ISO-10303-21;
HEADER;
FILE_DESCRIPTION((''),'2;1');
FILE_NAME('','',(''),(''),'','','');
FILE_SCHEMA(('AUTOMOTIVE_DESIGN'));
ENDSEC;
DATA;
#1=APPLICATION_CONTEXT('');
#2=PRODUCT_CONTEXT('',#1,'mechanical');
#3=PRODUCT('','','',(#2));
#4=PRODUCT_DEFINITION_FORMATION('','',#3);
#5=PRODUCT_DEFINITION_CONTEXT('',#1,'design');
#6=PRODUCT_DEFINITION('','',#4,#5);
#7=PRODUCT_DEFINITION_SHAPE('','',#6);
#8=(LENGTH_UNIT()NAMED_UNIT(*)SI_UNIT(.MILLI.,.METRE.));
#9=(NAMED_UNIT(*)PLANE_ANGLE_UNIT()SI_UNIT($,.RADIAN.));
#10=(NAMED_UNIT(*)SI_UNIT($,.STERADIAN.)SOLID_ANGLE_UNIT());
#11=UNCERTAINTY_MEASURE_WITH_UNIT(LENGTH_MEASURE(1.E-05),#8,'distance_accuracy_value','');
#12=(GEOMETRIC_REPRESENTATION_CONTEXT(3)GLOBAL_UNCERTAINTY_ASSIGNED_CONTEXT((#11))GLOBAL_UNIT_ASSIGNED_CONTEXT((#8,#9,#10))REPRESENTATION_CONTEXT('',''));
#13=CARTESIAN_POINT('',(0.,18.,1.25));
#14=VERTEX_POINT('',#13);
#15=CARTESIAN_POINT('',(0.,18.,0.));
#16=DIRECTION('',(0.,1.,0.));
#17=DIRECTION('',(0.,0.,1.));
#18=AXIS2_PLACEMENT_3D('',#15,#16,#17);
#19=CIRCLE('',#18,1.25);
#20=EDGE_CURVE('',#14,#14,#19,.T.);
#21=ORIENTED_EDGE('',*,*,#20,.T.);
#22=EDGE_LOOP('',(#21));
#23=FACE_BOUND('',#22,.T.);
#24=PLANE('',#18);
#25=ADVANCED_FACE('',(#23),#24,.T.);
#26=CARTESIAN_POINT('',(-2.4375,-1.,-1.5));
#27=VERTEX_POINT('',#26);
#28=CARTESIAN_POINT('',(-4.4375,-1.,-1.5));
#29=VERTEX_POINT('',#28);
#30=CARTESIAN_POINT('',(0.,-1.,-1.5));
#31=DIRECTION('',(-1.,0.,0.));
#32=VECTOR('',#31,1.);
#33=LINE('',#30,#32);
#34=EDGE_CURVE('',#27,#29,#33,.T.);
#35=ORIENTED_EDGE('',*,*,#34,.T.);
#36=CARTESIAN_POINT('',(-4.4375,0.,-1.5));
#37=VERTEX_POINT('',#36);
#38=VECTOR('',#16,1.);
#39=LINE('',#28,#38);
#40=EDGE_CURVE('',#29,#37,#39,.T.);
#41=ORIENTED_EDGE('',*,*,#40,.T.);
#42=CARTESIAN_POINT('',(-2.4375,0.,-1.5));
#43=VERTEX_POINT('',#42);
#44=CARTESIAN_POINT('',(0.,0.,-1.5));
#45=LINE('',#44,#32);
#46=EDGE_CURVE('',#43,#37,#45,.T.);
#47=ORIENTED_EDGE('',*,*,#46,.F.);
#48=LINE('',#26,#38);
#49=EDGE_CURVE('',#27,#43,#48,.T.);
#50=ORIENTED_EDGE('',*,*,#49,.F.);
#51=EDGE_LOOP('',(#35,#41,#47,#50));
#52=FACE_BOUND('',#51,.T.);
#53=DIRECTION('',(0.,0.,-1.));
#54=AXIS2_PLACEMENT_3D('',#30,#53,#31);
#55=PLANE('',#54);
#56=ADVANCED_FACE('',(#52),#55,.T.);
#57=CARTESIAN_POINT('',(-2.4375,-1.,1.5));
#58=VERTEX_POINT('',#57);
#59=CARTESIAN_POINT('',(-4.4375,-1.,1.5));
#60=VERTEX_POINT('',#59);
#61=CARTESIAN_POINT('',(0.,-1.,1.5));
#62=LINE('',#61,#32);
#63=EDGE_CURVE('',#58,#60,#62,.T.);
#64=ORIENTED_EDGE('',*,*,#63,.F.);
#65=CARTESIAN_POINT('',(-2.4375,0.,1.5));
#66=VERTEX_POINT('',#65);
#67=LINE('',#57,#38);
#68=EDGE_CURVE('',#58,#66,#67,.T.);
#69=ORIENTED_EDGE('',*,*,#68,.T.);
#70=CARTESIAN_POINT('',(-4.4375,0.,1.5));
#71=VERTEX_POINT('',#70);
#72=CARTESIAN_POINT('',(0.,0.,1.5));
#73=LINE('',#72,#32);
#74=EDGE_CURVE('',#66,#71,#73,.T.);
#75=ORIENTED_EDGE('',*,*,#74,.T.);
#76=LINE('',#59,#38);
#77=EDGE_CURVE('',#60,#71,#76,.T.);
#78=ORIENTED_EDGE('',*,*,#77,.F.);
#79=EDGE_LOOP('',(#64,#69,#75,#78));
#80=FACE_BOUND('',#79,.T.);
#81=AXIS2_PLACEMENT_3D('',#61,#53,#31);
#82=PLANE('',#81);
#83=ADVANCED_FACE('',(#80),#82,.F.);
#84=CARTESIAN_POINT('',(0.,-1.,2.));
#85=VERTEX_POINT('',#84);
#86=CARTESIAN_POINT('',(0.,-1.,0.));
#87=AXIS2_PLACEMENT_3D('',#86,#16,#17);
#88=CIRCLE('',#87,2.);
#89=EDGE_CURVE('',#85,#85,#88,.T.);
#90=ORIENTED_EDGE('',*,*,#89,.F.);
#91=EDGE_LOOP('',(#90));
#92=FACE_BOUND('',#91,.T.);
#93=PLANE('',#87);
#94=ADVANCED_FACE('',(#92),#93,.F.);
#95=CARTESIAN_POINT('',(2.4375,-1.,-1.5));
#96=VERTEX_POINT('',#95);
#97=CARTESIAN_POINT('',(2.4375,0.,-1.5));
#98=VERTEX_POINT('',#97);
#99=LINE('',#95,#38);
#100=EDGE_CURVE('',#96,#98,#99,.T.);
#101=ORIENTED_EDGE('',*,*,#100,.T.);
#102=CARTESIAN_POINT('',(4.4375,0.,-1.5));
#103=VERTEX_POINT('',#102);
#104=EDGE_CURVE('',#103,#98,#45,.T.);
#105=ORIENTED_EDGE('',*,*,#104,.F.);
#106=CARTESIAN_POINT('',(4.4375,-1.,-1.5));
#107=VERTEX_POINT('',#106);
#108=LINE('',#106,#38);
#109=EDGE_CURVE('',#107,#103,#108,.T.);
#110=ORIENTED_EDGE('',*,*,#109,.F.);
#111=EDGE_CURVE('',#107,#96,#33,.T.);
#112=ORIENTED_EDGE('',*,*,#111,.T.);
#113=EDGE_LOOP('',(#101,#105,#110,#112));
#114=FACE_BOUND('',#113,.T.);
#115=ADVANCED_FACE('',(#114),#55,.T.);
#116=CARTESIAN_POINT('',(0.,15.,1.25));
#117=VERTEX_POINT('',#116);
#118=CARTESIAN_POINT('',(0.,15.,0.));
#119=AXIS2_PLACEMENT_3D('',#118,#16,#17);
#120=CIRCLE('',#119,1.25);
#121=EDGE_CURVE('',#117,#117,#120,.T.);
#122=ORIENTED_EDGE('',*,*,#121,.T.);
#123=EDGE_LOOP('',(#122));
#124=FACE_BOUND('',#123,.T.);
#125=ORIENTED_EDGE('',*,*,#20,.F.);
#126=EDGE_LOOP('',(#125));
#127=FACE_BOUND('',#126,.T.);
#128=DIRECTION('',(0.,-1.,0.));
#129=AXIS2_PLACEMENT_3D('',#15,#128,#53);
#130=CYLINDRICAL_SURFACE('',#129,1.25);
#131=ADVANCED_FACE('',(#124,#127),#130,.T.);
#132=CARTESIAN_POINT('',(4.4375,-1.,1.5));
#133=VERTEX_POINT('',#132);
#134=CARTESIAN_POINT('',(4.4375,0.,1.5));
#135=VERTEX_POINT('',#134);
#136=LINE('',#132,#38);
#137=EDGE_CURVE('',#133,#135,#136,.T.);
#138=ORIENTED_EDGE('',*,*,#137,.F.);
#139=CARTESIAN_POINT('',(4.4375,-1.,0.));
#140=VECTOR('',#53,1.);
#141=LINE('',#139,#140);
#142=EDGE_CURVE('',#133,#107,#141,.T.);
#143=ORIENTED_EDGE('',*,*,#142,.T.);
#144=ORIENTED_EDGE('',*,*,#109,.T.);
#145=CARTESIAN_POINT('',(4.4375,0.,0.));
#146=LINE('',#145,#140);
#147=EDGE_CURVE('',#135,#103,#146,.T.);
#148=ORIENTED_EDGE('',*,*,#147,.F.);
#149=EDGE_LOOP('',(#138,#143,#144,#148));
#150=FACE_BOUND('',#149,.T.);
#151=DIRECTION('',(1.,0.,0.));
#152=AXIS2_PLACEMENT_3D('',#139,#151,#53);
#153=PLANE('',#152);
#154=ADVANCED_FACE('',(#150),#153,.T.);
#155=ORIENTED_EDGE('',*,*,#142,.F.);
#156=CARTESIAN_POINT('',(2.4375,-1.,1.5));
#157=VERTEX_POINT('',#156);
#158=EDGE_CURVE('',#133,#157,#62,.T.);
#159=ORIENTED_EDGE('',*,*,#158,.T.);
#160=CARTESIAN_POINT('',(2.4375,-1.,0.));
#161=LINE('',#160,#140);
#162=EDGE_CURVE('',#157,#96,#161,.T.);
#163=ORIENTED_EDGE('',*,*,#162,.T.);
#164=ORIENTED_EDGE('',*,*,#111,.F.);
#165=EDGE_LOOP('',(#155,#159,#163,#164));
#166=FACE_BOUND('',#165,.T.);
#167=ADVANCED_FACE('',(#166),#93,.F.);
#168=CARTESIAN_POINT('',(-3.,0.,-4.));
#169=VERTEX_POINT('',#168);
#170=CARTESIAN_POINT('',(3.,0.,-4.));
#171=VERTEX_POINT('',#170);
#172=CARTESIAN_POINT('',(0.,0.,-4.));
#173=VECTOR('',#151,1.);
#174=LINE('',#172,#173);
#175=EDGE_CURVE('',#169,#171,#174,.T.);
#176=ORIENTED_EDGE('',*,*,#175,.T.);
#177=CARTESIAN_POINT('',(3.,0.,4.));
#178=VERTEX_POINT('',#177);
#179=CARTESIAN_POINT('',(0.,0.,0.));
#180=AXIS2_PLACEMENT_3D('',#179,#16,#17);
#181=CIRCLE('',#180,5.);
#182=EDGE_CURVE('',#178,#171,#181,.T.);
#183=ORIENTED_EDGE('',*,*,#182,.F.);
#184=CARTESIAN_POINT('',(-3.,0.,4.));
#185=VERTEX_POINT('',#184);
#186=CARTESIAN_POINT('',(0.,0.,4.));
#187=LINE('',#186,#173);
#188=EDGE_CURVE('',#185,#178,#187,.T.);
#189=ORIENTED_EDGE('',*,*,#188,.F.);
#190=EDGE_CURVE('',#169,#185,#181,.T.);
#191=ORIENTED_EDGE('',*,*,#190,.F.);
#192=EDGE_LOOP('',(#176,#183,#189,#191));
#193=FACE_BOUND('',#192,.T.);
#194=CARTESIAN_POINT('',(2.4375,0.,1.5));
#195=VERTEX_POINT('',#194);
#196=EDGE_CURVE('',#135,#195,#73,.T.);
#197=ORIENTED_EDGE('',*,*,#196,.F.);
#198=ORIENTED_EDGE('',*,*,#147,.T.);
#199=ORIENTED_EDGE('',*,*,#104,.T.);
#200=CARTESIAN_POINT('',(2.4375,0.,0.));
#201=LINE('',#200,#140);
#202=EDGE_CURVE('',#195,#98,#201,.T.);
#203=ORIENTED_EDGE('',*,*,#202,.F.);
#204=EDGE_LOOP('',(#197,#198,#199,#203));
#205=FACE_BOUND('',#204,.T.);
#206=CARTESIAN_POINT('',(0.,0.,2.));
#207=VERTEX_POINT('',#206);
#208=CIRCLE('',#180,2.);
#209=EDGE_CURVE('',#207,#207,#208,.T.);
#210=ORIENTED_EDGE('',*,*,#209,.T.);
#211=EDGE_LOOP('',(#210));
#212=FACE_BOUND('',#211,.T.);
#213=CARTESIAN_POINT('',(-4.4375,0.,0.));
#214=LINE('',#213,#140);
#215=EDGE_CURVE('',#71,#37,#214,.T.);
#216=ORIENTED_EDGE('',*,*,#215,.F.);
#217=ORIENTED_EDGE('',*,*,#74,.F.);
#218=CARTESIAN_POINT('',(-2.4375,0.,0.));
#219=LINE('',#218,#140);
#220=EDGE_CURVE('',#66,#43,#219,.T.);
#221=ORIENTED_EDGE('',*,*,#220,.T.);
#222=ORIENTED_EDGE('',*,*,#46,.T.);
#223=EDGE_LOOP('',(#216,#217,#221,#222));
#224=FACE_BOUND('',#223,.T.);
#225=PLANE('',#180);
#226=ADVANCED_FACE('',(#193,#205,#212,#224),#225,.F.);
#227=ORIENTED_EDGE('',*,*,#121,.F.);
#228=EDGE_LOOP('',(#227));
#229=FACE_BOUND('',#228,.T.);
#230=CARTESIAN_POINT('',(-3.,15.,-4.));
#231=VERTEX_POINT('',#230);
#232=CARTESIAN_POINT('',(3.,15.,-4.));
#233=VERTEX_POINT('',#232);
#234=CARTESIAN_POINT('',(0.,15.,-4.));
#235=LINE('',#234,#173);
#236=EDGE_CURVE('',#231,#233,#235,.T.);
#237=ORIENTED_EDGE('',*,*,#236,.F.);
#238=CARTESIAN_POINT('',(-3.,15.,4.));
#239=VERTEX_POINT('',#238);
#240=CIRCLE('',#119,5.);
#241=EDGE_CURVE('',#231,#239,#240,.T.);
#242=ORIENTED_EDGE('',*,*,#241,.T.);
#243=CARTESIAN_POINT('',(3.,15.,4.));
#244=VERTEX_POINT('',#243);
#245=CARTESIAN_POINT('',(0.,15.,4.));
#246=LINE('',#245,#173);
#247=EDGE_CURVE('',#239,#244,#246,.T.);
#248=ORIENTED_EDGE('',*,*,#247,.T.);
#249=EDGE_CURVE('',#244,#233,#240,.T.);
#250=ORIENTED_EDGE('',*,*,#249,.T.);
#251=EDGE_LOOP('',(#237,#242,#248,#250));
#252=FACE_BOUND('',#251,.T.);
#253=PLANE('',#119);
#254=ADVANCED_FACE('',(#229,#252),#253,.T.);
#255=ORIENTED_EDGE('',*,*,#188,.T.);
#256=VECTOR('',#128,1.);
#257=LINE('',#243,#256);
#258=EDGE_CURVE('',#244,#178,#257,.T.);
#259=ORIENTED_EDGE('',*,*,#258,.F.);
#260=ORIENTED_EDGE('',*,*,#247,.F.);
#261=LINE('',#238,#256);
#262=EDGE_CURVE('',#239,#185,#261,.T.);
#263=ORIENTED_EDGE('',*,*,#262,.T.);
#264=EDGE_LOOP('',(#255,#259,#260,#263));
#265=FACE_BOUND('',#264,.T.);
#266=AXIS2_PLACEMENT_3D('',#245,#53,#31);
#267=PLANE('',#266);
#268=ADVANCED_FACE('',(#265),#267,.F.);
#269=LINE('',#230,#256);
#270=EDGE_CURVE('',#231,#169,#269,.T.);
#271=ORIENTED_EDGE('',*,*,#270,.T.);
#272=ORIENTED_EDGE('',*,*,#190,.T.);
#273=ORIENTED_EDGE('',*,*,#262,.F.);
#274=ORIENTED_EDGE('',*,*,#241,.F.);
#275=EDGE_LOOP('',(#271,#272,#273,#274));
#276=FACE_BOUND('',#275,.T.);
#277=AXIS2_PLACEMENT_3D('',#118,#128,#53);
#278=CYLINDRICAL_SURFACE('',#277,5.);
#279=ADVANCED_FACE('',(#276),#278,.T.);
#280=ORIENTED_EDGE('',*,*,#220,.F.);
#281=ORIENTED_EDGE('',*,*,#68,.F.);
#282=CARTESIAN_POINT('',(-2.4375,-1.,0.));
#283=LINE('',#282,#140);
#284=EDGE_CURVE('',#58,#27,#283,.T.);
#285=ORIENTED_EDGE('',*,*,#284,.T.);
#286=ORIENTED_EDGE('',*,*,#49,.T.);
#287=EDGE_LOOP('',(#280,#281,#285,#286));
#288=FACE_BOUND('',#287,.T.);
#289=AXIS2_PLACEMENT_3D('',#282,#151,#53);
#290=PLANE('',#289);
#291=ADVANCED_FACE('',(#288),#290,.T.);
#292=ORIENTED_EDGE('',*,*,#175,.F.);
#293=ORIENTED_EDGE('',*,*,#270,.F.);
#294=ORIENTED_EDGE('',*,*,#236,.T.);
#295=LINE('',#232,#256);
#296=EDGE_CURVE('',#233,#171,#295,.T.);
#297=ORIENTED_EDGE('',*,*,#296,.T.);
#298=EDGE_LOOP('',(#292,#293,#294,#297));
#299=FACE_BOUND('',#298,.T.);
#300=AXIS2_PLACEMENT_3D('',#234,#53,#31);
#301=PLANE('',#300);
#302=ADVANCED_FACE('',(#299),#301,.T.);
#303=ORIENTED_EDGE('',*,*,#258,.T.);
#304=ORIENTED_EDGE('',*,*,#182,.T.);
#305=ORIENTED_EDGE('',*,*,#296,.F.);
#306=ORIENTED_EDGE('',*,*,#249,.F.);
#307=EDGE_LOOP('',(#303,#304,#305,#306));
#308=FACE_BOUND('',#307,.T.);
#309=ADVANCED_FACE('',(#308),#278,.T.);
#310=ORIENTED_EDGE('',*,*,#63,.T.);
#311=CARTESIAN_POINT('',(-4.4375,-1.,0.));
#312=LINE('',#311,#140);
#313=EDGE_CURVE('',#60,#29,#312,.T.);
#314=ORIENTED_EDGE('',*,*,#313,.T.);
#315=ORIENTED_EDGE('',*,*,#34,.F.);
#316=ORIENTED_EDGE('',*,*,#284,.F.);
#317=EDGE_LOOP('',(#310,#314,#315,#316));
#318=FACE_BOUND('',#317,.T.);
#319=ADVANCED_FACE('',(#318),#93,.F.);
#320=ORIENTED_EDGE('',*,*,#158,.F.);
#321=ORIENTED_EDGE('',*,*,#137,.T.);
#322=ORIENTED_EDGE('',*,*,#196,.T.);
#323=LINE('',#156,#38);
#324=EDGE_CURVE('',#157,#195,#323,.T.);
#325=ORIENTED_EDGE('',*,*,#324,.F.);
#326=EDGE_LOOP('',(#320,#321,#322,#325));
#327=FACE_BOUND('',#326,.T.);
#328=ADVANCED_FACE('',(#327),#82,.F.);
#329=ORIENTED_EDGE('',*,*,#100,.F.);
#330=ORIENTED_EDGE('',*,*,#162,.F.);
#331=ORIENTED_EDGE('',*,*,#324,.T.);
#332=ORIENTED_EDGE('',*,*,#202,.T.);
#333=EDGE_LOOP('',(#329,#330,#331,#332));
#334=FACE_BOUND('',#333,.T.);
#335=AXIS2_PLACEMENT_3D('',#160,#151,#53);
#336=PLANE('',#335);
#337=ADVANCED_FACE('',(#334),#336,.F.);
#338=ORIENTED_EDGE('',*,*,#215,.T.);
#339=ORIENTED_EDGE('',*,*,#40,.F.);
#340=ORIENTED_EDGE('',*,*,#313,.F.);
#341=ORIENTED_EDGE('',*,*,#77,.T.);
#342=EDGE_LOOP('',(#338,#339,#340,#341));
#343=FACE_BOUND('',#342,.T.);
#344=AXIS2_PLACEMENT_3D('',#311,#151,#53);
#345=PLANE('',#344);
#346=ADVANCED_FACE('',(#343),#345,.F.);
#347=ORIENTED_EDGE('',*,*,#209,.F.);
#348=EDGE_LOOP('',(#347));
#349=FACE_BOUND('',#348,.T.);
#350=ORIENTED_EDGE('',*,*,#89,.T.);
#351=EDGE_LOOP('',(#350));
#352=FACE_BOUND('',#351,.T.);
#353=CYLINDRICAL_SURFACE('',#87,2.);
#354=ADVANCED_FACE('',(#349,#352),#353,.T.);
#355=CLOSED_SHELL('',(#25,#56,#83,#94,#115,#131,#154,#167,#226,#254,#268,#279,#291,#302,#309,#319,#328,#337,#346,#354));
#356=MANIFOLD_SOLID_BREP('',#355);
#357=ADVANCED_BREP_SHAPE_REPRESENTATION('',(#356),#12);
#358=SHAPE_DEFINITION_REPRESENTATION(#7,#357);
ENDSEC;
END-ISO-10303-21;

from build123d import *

# Parameters (mm, degrees)
SKETCH1_W           = 2
SKETCH1_H           = 3
SKETCH1_R           = 2
SKETCH1_R_2         = 1.25
BOSS_EXTRUDE1_DEPTH = 15
SKETCH1_3_W         = 2
SKETCH1_3_H         = 3
SKETCH1_3_R         = 2
SKETCH1_3_R_2       = 1.25
BOSS_EXTRUDE2_DEPTH = 1
BOSS_EXTRUDE3_START = 15
SKETCH1_4_R         = 1.25
BOSS_EXTRUDE3_DEPTH = 3


with BuildPart() as part:
    # Sketch1 → Boss-Extrude1 (new body)
    # profile 1 of 5: a face of its own
    with BuildSketch(Plane(origin=(0, 0, 0), x_dir=(1, 0, 0), z_dir=(0, 1, 0))):
        with BuildLine():
            Line((3, 4), (-3, 4))
            ThreePointArc((-3, 4), (-5, 0), (-3, -4))
            Line((-3, -4), (3, -4))
            ThreePointArc((3, -4), (4.472135955, -2.236067977), (5, 0))
            ThreePointArc((5, 0), (4.472135955, 2.236067977), (3, 4))
        make_face()
        with Locations((-3.4375, 0)):
            Rectangle(SKETCH1_W, SKETCH1_H, mode=Mode.SUBTRACT)
        Circle(SKETCH1_R, mode=Mode.SUBTRACT)
        with Locations((3.4375, 0)):
            Rectangle(SKETCH1_W, SKETCH1_H, mode=Mode.SUBTRACT)
    # profile 2 of 5: a face of its own
    with BuildSketch(Plane(origin=(0, 0, 0), x_dir=(1, 0, 0), z_dir=(0, 1, 0))):
        with Locations((-3.4375, 0)):
            Rectangle(SKETCH1_W, SKETCH1_H)
    # profile 3 of 5: a face of its own
    with BuildSketch(Plane(origin=(0, 0, 0), x_dir=(1, 0, 0), z_dir=(0, 1, 0))):
        Circle(SKETCH1_R)
        Circle(SKETCH1_R_2, mode=Mode.SUBTRACT)
    # profile 4 of 5: a face of its own
    with BuildSketch(Plane(origin=(0, 0, 0), x_dir=(1, 0, 0), z_dir=(0, 1, 0))):
        Circle(SKETCH1_R_2)
    # profile 5 of 5: a face of its own
    with BuildSketch(Plane(origin=(0, 0, 0), x_dir=(1, 0, 0), z_dir=(0, 1, 0))):
        with Locations((3.4375, 0)):
            Rectangle(SKETCH1_W, SKETCH1_H)
    extrude(amount=BOSS_EXTRUDE1_DEPTH)

    # Sketch1<3> → Boss-Extrude2 (add)
    # profile 1 of 4: a face of its own
    with BuildSketch(Plane(origin=(0, 0, 0), x_dir=(1, 0, 0), z_dir=(0, 1, 0))):
        with Locations((-3.4375, 0)):
            Rectangle(SKETCH1_3_W, SKETCH1_3_H)
    # profile 2 of 4: a face of its own
    with BuildSketch(Plane(origin=(0, 0, 0), x_dir=(1, 0, 0), z_dir=(0, 1, 0))):
        with Locations((3.4375, 0)):
            Rectangle(SKETCH1_3_W, SKETCH1_3_H)
    # profile 3 of 4: a face of its own
    with BuildSketch(Plane(origin=(0, 0, 0), x_dir=(1, 0, 0), z_dir=(0, 1, 0))):
        with Locations(Location((0, 0, 0), (0, 0, 270))):
            Circle(SKETCH1_3_R)
        Circle(SKETCH1_3_R_2, mode=Mode.SUBTRACT)
    # profile 4 of 4: a face of its own
    with BuildSketch(Plane(origin=(0, 0, 0), x_dir=(1, 0, 0), z_dir=(0, 1, 0))):
        Circle(SKETCH1_3_R_2)
    extrude(amount=-BOSS_EXTRUDE2_DEPTH)

    # Sketch1<4> → Boss-Extrude3 (add)
    with BuildSketch(Plane(origin=(0, 0, 0), x_dir=(1, 0, 0), z_dir=(0, 1, 0)).offset(BOSS_EXTRUDE3_START)):
        with Locations(Location((0, 0, 0), (0, 0, 270))):
            Circle(SKETCH1_4_R)
    extrude(amount=BOSS_EXTRUDE3_DEPTH)


solid = part.part
